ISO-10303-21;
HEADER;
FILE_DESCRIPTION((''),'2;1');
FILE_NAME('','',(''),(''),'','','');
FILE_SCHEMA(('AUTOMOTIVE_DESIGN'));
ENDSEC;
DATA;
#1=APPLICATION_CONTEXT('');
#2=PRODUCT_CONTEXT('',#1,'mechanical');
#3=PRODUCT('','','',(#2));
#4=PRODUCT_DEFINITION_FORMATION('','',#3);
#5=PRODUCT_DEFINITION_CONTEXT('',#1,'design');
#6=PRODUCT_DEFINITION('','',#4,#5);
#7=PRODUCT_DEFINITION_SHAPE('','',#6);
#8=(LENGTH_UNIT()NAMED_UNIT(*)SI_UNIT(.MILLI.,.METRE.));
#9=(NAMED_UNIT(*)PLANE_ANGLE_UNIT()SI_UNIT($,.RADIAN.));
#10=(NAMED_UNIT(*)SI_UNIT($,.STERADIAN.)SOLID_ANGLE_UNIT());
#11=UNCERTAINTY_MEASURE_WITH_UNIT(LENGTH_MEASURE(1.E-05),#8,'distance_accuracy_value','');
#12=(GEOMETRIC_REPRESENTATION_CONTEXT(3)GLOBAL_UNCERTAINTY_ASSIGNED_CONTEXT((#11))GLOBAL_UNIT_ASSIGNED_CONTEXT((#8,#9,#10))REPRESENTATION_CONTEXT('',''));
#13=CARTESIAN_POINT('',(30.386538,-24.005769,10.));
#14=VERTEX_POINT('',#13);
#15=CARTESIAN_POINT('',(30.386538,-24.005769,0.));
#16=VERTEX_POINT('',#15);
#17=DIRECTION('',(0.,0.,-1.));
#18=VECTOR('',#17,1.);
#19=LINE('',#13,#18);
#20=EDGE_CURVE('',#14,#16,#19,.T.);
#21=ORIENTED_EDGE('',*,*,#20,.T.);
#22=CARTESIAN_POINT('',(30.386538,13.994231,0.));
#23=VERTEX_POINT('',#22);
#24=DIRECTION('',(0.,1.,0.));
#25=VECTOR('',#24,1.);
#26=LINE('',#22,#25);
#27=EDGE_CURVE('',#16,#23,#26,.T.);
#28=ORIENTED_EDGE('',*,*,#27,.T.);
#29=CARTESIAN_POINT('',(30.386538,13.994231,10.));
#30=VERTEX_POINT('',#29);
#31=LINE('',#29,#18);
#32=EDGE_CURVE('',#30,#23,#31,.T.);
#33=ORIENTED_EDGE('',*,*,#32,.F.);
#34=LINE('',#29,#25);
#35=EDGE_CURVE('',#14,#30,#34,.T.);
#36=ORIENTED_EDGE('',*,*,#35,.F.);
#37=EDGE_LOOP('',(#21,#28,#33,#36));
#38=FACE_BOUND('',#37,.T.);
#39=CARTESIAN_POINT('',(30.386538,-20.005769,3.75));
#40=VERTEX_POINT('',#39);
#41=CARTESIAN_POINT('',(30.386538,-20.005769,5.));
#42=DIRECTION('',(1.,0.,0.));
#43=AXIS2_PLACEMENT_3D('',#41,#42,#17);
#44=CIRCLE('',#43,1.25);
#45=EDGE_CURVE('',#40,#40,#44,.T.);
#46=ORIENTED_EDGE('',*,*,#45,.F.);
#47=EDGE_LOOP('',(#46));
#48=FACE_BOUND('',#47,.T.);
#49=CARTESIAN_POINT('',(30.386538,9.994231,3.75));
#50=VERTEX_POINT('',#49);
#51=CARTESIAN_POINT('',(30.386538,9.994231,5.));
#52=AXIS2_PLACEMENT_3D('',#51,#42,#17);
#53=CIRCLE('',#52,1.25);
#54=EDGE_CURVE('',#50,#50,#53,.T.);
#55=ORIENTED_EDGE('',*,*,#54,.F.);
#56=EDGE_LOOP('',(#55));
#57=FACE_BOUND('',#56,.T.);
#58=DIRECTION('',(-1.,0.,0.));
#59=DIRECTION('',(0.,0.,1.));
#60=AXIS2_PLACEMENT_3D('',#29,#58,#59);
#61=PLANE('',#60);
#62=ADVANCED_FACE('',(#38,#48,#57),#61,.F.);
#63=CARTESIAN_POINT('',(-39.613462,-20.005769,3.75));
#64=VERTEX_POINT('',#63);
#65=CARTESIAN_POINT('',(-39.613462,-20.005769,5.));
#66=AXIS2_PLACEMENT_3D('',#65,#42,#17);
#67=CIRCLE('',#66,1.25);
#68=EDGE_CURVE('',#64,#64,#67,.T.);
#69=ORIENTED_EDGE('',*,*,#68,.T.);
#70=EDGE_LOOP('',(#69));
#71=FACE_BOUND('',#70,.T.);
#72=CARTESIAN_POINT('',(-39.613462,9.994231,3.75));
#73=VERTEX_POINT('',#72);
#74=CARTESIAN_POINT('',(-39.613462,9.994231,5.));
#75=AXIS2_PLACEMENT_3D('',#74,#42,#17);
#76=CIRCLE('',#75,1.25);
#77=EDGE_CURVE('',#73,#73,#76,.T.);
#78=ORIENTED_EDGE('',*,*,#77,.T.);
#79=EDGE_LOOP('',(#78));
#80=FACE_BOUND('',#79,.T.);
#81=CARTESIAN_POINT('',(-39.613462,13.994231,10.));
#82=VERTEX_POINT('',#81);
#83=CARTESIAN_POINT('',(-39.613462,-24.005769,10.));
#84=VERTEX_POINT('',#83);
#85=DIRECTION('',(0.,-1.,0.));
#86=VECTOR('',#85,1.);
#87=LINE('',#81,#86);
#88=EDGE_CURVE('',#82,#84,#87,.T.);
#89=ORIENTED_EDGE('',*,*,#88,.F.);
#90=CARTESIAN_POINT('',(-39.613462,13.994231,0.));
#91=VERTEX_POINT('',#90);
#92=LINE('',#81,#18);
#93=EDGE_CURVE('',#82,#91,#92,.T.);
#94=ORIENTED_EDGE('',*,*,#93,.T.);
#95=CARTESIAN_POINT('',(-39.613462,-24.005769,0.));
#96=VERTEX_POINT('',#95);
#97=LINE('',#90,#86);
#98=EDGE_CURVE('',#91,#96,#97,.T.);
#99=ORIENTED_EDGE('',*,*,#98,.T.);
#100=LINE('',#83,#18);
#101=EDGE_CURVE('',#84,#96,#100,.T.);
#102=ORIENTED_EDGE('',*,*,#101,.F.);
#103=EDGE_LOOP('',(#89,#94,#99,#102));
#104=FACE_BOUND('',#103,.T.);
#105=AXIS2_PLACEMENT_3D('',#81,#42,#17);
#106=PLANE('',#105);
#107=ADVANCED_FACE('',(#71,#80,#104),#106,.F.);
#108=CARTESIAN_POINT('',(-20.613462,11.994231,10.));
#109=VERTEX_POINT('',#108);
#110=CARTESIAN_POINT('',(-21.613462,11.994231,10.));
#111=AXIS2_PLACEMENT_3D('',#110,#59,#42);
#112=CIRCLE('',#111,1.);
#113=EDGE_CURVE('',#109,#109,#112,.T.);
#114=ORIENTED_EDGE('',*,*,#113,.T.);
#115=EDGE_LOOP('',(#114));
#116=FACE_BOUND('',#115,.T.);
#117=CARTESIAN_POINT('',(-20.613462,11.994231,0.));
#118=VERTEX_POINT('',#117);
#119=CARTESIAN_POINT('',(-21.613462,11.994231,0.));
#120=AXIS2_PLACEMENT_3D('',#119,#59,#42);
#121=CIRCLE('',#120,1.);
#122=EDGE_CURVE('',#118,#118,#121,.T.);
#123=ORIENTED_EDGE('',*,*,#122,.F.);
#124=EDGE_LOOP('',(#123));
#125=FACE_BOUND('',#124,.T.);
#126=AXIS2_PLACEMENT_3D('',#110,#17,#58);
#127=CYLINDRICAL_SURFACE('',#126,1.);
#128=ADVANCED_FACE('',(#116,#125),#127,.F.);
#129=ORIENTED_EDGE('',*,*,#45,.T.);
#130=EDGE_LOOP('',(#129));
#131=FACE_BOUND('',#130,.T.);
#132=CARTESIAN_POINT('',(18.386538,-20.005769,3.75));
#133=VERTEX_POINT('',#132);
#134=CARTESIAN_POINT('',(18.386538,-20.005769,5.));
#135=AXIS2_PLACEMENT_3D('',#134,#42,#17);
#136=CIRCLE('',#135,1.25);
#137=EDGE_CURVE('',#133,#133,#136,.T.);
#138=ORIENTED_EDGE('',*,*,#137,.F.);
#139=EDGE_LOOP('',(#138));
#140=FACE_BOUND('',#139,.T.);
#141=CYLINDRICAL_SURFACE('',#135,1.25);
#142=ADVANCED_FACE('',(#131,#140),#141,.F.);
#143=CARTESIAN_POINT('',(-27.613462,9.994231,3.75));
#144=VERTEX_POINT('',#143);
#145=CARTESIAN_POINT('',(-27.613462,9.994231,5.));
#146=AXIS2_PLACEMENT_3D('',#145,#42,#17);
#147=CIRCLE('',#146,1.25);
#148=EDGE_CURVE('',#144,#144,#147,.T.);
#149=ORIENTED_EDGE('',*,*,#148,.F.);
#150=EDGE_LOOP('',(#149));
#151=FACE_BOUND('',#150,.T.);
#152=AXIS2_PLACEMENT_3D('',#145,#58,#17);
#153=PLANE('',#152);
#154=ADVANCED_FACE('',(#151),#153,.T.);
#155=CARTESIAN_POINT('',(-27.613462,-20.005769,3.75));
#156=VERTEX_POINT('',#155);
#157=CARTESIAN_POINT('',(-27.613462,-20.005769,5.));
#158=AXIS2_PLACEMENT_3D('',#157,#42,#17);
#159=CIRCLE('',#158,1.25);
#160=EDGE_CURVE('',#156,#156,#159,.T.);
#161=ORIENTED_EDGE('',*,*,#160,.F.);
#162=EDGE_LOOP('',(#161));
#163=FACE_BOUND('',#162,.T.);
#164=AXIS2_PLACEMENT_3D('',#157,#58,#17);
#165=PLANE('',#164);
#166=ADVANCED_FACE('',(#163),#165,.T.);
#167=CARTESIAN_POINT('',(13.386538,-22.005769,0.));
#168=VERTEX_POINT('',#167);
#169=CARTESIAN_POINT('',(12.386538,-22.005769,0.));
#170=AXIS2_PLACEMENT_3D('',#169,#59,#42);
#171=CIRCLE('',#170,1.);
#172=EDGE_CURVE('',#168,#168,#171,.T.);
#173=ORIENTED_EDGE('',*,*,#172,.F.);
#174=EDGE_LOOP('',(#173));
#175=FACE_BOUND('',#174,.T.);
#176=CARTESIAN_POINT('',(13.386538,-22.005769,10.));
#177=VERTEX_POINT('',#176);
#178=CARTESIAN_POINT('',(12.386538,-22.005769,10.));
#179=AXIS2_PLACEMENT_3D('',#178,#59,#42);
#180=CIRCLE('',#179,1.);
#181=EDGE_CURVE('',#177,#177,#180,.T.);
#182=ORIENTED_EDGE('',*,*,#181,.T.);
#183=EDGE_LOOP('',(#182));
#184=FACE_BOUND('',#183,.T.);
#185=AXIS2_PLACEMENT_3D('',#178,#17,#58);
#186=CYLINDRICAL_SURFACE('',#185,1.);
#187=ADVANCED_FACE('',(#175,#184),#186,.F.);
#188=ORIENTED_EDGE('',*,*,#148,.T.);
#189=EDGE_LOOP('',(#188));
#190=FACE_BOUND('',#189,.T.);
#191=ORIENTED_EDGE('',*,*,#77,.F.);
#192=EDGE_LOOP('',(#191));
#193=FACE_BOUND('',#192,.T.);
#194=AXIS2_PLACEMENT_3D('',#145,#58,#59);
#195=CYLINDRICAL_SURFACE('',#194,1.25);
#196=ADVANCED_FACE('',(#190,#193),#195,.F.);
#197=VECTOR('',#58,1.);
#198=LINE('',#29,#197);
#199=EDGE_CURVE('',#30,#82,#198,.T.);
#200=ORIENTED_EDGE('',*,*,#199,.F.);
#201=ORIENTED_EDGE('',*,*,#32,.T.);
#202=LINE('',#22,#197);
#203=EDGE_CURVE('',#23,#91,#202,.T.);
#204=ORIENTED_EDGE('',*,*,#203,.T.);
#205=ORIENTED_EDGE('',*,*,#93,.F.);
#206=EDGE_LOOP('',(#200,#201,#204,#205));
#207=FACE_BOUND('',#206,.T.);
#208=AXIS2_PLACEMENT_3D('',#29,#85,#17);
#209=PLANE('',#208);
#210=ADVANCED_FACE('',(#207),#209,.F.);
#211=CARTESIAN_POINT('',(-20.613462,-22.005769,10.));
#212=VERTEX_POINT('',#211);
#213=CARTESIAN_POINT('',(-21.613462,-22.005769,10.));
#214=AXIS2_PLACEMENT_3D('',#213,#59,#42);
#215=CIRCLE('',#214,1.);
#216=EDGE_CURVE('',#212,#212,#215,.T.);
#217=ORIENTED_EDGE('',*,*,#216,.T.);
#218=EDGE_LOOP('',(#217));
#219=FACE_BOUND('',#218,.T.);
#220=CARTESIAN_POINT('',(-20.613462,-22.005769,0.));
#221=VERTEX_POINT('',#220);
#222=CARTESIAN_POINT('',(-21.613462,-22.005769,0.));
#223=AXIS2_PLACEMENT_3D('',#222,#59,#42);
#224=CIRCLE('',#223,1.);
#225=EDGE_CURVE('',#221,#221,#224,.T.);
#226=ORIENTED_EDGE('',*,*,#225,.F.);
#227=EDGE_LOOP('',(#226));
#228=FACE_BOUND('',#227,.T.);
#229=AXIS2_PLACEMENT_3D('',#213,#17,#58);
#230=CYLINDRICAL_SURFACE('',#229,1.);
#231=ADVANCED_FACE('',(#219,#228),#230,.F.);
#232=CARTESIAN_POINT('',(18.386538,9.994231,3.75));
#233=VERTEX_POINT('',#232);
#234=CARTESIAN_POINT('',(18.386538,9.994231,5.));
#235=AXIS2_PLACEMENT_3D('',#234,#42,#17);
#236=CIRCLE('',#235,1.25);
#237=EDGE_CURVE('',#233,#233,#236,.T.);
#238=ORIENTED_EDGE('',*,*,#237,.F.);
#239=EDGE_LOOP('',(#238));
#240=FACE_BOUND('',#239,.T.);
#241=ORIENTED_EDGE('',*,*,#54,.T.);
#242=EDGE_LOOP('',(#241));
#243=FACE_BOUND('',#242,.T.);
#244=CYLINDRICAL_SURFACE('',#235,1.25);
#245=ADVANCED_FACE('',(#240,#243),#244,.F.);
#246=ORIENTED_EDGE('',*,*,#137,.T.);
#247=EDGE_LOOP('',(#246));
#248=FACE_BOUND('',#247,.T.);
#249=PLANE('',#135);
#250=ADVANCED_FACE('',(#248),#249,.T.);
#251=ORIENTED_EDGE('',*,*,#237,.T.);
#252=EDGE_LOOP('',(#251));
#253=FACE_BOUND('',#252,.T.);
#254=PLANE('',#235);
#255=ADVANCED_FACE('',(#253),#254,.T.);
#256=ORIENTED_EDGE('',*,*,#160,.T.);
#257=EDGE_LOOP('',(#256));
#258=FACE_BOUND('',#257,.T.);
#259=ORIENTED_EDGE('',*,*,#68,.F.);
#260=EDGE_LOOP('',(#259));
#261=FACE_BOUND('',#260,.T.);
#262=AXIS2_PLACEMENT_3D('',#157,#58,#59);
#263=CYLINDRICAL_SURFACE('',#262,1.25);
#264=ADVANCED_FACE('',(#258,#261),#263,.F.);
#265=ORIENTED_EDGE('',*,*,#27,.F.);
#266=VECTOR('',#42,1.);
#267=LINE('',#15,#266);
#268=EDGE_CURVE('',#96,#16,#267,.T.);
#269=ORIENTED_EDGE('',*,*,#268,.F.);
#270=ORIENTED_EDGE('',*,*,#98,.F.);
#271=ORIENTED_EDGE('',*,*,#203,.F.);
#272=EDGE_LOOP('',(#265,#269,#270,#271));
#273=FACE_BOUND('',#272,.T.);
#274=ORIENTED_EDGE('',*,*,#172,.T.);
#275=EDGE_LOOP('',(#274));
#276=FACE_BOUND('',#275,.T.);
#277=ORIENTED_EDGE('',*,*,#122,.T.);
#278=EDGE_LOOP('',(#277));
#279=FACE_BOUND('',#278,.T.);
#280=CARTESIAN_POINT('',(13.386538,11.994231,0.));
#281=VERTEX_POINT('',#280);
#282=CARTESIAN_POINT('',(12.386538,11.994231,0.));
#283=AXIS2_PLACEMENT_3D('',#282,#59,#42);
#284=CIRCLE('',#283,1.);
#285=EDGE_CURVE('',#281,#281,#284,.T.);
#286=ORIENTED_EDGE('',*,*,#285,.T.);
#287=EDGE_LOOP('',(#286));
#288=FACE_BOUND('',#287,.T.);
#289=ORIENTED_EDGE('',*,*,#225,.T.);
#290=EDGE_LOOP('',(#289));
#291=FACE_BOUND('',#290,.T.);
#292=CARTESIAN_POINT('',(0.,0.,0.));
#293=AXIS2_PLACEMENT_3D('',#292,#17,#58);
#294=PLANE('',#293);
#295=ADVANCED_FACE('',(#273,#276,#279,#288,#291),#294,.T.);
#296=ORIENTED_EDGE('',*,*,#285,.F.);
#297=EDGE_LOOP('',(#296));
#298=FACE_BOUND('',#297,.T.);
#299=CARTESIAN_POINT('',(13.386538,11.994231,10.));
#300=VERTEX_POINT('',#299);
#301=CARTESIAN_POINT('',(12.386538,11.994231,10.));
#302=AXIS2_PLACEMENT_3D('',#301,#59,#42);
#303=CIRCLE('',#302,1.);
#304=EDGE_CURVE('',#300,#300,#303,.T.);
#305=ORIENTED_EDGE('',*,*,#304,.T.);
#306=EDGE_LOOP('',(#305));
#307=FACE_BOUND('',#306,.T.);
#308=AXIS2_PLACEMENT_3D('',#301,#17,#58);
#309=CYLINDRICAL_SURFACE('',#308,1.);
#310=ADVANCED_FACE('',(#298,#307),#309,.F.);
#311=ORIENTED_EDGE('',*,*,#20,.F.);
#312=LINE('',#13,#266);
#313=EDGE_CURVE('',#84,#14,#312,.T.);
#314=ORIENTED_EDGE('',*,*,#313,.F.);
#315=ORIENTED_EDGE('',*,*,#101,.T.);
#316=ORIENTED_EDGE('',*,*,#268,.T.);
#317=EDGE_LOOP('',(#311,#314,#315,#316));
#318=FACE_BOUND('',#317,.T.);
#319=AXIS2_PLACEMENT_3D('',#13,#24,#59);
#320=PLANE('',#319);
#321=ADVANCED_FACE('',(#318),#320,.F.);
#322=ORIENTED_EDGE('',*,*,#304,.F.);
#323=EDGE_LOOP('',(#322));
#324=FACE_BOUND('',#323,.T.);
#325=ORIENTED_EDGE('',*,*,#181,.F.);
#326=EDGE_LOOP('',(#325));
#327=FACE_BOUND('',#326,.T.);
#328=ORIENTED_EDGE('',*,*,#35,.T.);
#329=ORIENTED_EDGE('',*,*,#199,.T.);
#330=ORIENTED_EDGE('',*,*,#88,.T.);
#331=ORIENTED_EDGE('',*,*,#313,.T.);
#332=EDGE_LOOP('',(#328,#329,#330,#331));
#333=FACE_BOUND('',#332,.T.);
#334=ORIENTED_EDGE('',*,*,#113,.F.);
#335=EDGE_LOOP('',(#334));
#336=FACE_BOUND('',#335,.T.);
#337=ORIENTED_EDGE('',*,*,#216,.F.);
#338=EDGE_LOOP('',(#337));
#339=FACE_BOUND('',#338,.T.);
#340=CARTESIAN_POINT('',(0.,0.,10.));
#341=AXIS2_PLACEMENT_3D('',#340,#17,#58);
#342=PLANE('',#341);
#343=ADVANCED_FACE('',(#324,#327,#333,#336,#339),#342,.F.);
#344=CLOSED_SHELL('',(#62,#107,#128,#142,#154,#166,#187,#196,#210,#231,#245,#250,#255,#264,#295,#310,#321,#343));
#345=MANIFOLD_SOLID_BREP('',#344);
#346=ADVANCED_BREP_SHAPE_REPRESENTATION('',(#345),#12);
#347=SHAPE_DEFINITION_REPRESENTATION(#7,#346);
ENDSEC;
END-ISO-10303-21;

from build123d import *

# Parameters (mm, degrees)
SKETCH1_W           = 70
SKETCH1_H           = 38
SKETCH1_R           = 1
BOSS_EXTRUDE1_DEPTH = 10
SKETCH2_R           = 1.25
CUT_EXTRUDE1_DEPTH  = 12


with BuildPart() as part:
    # Sketch1 → Boss-Extrude1 (new body)
    with BuildSketch(Plane.XY):
        with Locations((-4.613461538, -5.005769231)):
            Rectangle(SKETCH1_W, SKETCH1_H)
        with Locations((-21.613461538, 11.994230769)):
            Circle(SKETCH1_R, mode=Mode.SUBTRACT)
        with Locations((12.386538462, 11.994230769)):
            Circle(SKETCH1_R, mode=Mode.SUBTRACT)
        with Locations((12.386538462, -22.005769231)):
            Circle(SKETCH1_R, mode=Mode.SUBTRACT)
        with Locations((-21.613461538, -22.005769231)):
            Circle(SKETCH1_R, mode=Mode.SUBTRACT)
    extrude(amount=BOSS_EXTRUDE1_DEPTH)

    # Sketch2 → Cut-Extrude1 (cut)
    with BuildSketch(Plane(origin=(30.386538462, 0, 0), x_dir=(0, 0, -1), z_dir=(1, 0, 0))):
        with Locations((-5, 9.994230769)):
            Circle(SKETCH2_R)
        with Locations((-5, -20.005769231)):
            Circle(SKETCH2_R)
    cut_extrude1 = extrude(amount=-CUT_EXTRUDE1_DEPTH, mode=Mode.SUBTRACT)

    # Mirror1: Cut-Extrude1 across plane
    add(cut_extrude1.mirror(Plane.ZY.offset(4.613461538)), mode=Mode.SUBTRACT)


solid = part.part
